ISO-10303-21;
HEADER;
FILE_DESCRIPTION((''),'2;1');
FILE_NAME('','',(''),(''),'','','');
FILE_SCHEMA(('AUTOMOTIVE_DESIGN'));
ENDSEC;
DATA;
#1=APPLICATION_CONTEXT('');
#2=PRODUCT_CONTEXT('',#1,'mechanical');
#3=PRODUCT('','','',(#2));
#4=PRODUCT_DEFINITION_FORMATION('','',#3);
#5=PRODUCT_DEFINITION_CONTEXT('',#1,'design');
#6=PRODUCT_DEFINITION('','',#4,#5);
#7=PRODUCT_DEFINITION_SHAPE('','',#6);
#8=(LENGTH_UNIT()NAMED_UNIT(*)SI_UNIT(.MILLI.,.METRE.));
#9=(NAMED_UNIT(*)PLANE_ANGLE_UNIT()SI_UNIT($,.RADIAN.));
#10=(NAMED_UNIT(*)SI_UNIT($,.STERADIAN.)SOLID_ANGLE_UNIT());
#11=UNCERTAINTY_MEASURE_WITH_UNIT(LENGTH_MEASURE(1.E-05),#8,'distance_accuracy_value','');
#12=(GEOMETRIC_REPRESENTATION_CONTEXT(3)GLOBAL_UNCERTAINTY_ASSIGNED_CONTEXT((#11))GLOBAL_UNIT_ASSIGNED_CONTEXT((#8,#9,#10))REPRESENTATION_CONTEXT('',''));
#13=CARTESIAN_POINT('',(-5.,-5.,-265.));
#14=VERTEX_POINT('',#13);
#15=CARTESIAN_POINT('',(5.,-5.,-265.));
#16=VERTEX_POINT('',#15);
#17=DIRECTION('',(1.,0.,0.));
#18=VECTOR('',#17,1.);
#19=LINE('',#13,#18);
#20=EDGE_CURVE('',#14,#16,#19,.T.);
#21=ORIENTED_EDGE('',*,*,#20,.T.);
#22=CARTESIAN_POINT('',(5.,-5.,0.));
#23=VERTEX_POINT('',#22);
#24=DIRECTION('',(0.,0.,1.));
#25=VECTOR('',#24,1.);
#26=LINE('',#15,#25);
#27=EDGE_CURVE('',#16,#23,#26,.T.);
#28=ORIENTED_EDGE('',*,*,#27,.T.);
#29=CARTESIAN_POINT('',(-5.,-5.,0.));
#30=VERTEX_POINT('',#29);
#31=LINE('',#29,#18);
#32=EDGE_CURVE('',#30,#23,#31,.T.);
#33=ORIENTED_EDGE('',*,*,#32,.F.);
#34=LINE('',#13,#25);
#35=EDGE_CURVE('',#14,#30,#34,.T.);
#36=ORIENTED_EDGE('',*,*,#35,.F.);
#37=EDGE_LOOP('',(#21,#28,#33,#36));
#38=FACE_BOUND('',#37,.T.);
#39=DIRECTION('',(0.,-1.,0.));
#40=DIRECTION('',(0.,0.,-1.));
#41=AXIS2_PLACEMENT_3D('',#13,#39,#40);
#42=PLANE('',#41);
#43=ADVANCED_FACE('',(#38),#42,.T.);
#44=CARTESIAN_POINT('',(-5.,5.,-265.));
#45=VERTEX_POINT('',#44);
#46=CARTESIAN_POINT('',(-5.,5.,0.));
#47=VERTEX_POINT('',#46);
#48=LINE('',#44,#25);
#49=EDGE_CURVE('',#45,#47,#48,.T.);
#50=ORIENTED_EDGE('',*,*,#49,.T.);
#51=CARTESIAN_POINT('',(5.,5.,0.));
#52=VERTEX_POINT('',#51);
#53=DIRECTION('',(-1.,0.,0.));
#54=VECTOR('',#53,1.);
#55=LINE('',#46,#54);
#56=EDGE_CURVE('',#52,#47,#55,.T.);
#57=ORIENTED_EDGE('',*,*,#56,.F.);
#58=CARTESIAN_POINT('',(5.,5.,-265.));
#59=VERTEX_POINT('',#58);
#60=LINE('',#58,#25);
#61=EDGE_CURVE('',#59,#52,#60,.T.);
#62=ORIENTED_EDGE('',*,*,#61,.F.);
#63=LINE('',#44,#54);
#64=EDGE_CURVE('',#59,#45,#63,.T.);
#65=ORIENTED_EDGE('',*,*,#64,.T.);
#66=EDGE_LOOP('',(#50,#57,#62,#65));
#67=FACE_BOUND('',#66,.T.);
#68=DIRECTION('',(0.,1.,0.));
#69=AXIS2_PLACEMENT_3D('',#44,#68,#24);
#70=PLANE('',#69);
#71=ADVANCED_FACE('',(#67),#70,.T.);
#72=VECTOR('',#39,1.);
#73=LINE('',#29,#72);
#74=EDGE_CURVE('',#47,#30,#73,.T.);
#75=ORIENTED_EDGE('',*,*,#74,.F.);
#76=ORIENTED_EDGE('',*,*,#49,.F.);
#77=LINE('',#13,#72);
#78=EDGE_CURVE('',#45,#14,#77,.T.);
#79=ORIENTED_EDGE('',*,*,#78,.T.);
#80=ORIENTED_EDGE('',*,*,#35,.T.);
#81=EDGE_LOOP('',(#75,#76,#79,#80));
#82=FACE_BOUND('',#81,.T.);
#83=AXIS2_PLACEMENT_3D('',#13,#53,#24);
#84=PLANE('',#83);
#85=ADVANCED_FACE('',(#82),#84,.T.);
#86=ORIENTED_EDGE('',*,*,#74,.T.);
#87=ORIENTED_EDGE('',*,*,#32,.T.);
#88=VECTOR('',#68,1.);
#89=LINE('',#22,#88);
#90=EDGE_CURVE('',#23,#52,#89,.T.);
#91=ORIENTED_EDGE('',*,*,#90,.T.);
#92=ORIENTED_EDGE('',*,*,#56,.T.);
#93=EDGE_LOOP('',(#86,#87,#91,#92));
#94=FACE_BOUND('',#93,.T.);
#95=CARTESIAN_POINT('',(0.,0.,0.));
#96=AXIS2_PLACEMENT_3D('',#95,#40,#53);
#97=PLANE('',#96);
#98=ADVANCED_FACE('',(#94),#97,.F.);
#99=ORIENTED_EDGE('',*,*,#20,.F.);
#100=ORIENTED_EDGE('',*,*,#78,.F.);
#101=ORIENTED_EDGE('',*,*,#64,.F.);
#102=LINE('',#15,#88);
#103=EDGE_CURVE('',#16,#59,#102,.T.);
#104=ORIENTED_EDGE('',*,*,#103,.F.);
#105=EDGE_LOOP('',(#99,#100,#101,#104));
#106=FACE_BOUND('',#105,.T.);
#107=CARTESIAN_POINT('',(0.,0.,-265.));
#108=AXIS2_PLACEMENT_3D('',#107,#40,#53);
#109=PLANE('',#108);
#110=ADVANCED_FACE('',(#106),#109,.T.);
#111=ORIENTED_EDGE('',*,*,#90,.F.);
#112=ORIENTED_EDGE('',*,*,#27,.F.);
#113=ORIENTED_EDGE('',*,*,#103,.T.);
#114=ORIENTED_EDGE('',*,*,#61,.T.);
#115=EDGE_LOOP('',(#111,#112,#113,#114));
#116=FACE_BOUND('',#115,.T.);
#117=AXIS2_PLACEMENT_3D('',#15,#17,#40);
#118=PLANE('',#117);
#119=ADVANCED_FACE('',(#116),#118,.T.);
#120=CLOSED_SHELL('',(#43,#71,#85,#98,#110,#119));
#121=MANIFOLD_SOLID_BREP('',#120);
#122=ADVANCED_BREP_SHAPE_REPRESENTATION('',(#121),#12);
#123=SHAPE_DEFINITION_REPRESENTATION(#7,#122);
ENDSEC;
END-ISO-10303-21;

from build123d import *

# Parameters (mm, degrees)
ESQUISSE1_W            = 10
ESQUISSE1_H            = 10
ENTRETOISE_265MM_DEPTH = 265


with BuildPart() as part:
    # Esquisse1 → Entretoise_265mm (new body)
    with BuildSketch(Plane.XY):
        Rectangle(ESQUISSE1_W, ESQUISSE1_H)
    extrude(amount=-ENTRETOISE_265MM_DEPTH)


solid = part.part
